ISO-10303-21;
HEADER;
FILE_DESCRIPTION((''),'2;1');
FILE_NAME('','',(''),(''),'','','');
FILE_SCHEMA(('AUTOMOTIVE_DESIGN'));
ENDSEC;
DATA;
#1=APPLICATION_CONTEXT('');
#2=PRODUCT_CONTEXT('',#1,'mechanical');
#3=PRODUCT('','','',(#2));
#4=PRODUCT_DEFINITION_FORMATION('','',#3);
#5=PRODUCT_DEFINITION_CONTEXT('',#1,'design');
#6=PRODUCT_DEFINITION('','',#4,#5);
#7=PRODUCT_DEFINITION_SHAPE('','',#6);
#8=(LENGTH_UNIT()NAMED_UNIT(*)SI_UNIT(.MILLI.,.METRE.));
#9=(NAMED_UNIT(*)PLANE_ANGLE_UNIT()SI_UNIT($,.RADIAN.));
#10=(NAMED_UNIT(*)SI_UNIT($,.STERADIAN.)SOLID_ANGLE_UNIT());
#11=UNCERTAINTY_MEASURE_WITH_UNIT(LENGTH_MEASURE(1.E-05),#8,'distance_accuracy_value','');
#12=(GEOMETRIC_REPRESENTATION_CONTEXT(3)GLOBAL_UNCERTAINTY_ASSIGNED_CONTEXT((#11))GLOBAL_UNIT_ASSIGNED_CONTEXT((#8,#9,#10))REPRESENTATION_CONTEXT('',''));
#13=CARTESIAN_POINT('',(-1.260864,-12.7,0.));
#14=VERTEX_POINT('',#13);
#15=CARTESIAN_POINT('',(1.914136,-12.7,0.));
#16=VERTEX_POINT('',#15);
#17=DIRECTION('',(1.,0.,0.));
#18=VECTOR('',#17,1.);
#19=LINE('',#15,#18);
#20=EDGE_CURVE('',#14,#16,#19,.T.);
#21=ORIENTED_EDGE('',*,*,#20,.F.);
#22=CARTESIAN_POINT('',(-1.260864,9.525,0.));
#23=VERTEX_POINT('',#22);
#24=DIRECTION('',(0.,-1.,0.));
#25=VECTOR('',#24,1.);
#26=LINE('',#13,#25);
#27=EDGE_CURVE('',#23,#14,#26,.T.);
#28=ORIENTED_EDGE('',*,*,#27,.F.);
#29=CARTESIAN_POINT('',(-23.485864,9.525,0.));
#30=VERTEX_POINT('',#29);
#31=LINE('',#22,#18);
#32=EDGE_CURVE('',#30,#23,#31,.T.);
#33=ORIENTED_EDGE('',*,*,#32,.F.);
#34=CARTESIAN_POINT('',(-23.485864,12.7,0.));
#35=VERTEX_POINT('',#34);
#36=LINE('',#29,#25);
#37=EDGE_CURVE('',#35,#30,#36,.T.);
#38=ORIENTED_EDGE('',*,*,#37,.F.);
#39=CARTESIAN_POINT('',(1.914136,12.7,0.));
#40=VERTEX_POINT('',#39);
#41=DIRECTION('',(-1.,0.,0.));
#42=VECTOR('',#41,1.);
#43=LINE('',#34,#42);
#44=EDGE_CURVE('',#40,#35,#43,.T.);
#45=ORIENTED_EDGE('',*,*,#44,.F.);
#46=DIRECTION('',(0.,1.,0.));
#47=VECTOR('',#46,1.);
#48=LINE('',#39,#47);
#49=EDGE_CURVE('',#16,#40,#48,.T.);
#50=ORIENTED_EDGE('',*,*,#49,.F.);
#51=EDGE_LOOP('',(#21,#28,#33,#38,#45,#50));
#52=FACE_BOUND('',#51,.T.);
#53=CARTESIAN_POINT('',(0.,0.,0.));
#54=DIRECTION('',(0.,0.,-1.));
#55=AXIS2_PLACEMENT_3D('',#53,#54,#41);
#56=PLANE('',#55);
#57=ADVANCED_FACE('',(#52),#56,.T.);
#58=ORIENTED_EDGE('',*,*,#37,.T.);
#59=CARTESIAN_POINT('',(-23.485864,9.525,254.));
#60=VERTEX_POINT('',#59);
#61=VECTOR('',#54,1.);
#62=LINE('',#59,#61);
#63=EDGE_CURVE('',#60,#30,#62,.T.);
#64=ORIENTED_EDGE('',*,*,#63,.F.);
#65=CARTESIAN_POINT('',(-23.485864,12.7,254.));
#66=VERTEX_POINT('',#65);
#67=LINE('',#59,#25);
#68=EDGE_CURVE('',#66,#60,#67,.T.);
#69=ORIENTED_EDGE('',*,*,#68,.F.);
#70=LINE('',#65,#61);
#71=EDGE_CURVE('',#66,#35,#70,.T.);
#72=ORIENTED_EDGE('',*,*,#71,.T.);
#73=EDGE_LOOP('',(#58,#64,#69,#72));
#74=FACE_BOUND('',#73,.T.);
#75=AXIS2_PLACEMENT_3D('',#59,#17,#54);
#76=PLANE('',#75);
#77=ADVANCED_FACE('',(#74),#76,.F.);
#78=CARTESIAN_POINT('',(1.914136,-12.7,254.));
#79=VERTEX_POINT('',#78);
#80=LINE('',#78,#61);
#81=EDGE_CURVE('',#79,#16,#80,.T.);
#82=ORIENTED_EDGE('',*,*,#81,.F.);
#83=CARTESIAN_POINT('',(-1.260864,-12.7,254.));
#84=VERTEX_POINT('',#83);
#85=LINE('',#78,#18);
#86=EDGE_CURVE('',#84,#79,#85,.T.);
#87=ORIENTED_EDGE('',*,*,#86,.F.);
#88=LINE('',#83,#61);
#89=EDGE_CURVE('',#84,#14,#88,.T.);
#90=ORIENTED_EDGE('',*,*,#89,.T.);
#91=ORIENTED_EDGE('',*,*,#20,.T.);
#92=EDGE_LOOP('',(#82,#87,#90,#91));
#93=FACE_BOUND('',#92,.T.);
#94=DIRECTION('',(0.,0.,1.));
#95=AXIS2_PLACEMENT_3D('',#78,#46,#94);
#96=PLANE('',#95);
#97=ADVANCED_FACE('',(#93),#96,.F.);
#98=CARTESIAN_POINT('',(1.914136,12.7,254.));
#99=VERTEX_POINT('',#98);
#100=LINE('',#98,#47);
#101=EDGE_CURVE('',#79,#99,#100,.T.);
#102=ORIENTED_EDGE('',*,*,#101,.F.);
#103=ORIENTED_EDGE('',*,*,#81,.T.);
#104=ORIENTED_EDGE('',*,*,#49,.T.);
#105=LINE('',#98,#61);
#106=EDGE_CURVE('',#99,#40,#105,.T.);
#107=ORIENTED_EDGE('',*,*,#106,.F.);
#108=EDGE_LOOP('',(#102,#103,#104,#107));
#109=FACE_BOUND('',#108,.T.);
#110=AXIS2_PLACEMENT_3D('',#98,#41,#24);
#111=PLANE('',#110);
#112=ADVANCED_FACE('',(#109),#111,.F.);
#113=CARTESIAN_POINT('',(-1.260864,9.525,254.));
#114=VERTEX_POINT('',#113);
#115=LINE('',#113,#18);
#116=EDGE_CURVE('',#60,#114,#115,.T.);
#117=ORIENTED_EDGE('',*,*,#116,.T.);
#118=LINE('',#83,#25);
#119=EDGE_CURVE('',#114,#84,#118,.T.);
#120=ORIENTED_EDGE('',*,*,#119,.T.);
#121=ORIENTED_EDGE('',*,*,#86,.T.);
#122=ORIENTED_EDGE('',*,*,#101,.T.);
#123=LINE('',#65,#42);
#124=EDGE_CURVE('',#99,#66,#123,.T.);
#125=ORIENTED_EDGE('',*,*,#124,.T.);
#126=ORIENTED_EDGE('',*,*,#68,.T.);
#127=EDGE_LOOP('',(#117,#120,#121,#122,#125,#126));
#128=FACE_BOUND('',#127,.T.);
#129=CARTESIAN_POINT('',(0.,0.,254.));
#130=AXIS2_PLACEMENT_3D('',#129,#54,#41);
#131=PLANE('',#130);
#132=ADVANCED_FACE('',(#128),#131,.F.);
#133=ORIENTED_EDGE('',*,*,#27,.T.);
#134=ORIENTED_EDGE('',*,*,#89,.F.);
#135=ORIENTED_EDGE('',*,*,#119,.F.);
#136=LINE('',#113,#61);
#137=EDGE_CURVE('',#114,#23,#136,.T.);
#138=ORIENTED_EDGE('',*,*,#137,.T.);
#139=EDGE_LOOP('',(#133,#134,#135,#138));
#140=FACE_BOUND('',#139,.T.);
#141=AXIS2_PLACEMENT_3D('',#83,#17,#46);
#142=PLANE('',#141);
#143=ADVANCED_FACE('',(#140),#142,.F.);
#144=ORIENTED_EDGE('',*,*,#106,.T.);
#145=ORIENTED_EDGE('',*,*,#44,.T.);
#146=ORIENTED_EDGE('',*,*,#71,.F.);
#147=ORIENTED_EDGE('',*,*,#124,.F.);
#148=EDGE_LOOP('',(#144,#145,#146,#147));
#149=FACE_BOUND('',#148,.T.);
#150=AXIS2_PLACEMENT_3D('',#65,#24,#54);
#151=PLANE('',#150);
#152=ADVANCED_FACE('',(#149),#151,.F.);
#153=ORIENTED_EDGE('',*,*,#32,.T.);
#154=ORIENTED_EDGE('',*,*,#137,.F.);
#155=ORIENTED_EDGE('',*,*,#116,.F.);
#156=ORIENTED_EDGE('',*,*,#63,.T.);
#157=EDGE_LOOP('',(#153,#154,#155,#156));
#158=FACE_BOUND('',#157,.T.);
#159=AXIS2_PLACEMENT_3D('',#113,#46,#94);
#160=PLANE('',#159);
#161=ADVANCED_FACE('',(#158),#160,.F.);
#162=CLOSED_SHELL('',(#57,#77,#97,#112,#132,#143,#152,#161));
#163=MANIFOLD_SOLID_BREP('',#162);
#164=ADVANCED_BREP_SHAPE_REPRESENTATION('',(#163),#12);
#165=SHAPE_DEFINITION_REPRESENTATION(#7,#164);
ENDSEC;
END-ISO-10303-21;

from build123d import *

# Parameters (mm, degrees)
BOSS_EXTRUDE1_DEPTH = 254


with BuildPart() as part:
    # Sketch1 → Boss-Extrude1 (new body)
    with BuildSketch(Plane.XY):
        Polygon((1.914135642, 12.7), (1.914135642, -12.7), (-1.260864358, -12.7), (-1.260864358, 9.525), (-23.485864358, 9.525), (-23.485864358, 12.7), align=None)
    extrude(amount=BOSS_EXTRUDE1_DEPTH)


solid = part.part
